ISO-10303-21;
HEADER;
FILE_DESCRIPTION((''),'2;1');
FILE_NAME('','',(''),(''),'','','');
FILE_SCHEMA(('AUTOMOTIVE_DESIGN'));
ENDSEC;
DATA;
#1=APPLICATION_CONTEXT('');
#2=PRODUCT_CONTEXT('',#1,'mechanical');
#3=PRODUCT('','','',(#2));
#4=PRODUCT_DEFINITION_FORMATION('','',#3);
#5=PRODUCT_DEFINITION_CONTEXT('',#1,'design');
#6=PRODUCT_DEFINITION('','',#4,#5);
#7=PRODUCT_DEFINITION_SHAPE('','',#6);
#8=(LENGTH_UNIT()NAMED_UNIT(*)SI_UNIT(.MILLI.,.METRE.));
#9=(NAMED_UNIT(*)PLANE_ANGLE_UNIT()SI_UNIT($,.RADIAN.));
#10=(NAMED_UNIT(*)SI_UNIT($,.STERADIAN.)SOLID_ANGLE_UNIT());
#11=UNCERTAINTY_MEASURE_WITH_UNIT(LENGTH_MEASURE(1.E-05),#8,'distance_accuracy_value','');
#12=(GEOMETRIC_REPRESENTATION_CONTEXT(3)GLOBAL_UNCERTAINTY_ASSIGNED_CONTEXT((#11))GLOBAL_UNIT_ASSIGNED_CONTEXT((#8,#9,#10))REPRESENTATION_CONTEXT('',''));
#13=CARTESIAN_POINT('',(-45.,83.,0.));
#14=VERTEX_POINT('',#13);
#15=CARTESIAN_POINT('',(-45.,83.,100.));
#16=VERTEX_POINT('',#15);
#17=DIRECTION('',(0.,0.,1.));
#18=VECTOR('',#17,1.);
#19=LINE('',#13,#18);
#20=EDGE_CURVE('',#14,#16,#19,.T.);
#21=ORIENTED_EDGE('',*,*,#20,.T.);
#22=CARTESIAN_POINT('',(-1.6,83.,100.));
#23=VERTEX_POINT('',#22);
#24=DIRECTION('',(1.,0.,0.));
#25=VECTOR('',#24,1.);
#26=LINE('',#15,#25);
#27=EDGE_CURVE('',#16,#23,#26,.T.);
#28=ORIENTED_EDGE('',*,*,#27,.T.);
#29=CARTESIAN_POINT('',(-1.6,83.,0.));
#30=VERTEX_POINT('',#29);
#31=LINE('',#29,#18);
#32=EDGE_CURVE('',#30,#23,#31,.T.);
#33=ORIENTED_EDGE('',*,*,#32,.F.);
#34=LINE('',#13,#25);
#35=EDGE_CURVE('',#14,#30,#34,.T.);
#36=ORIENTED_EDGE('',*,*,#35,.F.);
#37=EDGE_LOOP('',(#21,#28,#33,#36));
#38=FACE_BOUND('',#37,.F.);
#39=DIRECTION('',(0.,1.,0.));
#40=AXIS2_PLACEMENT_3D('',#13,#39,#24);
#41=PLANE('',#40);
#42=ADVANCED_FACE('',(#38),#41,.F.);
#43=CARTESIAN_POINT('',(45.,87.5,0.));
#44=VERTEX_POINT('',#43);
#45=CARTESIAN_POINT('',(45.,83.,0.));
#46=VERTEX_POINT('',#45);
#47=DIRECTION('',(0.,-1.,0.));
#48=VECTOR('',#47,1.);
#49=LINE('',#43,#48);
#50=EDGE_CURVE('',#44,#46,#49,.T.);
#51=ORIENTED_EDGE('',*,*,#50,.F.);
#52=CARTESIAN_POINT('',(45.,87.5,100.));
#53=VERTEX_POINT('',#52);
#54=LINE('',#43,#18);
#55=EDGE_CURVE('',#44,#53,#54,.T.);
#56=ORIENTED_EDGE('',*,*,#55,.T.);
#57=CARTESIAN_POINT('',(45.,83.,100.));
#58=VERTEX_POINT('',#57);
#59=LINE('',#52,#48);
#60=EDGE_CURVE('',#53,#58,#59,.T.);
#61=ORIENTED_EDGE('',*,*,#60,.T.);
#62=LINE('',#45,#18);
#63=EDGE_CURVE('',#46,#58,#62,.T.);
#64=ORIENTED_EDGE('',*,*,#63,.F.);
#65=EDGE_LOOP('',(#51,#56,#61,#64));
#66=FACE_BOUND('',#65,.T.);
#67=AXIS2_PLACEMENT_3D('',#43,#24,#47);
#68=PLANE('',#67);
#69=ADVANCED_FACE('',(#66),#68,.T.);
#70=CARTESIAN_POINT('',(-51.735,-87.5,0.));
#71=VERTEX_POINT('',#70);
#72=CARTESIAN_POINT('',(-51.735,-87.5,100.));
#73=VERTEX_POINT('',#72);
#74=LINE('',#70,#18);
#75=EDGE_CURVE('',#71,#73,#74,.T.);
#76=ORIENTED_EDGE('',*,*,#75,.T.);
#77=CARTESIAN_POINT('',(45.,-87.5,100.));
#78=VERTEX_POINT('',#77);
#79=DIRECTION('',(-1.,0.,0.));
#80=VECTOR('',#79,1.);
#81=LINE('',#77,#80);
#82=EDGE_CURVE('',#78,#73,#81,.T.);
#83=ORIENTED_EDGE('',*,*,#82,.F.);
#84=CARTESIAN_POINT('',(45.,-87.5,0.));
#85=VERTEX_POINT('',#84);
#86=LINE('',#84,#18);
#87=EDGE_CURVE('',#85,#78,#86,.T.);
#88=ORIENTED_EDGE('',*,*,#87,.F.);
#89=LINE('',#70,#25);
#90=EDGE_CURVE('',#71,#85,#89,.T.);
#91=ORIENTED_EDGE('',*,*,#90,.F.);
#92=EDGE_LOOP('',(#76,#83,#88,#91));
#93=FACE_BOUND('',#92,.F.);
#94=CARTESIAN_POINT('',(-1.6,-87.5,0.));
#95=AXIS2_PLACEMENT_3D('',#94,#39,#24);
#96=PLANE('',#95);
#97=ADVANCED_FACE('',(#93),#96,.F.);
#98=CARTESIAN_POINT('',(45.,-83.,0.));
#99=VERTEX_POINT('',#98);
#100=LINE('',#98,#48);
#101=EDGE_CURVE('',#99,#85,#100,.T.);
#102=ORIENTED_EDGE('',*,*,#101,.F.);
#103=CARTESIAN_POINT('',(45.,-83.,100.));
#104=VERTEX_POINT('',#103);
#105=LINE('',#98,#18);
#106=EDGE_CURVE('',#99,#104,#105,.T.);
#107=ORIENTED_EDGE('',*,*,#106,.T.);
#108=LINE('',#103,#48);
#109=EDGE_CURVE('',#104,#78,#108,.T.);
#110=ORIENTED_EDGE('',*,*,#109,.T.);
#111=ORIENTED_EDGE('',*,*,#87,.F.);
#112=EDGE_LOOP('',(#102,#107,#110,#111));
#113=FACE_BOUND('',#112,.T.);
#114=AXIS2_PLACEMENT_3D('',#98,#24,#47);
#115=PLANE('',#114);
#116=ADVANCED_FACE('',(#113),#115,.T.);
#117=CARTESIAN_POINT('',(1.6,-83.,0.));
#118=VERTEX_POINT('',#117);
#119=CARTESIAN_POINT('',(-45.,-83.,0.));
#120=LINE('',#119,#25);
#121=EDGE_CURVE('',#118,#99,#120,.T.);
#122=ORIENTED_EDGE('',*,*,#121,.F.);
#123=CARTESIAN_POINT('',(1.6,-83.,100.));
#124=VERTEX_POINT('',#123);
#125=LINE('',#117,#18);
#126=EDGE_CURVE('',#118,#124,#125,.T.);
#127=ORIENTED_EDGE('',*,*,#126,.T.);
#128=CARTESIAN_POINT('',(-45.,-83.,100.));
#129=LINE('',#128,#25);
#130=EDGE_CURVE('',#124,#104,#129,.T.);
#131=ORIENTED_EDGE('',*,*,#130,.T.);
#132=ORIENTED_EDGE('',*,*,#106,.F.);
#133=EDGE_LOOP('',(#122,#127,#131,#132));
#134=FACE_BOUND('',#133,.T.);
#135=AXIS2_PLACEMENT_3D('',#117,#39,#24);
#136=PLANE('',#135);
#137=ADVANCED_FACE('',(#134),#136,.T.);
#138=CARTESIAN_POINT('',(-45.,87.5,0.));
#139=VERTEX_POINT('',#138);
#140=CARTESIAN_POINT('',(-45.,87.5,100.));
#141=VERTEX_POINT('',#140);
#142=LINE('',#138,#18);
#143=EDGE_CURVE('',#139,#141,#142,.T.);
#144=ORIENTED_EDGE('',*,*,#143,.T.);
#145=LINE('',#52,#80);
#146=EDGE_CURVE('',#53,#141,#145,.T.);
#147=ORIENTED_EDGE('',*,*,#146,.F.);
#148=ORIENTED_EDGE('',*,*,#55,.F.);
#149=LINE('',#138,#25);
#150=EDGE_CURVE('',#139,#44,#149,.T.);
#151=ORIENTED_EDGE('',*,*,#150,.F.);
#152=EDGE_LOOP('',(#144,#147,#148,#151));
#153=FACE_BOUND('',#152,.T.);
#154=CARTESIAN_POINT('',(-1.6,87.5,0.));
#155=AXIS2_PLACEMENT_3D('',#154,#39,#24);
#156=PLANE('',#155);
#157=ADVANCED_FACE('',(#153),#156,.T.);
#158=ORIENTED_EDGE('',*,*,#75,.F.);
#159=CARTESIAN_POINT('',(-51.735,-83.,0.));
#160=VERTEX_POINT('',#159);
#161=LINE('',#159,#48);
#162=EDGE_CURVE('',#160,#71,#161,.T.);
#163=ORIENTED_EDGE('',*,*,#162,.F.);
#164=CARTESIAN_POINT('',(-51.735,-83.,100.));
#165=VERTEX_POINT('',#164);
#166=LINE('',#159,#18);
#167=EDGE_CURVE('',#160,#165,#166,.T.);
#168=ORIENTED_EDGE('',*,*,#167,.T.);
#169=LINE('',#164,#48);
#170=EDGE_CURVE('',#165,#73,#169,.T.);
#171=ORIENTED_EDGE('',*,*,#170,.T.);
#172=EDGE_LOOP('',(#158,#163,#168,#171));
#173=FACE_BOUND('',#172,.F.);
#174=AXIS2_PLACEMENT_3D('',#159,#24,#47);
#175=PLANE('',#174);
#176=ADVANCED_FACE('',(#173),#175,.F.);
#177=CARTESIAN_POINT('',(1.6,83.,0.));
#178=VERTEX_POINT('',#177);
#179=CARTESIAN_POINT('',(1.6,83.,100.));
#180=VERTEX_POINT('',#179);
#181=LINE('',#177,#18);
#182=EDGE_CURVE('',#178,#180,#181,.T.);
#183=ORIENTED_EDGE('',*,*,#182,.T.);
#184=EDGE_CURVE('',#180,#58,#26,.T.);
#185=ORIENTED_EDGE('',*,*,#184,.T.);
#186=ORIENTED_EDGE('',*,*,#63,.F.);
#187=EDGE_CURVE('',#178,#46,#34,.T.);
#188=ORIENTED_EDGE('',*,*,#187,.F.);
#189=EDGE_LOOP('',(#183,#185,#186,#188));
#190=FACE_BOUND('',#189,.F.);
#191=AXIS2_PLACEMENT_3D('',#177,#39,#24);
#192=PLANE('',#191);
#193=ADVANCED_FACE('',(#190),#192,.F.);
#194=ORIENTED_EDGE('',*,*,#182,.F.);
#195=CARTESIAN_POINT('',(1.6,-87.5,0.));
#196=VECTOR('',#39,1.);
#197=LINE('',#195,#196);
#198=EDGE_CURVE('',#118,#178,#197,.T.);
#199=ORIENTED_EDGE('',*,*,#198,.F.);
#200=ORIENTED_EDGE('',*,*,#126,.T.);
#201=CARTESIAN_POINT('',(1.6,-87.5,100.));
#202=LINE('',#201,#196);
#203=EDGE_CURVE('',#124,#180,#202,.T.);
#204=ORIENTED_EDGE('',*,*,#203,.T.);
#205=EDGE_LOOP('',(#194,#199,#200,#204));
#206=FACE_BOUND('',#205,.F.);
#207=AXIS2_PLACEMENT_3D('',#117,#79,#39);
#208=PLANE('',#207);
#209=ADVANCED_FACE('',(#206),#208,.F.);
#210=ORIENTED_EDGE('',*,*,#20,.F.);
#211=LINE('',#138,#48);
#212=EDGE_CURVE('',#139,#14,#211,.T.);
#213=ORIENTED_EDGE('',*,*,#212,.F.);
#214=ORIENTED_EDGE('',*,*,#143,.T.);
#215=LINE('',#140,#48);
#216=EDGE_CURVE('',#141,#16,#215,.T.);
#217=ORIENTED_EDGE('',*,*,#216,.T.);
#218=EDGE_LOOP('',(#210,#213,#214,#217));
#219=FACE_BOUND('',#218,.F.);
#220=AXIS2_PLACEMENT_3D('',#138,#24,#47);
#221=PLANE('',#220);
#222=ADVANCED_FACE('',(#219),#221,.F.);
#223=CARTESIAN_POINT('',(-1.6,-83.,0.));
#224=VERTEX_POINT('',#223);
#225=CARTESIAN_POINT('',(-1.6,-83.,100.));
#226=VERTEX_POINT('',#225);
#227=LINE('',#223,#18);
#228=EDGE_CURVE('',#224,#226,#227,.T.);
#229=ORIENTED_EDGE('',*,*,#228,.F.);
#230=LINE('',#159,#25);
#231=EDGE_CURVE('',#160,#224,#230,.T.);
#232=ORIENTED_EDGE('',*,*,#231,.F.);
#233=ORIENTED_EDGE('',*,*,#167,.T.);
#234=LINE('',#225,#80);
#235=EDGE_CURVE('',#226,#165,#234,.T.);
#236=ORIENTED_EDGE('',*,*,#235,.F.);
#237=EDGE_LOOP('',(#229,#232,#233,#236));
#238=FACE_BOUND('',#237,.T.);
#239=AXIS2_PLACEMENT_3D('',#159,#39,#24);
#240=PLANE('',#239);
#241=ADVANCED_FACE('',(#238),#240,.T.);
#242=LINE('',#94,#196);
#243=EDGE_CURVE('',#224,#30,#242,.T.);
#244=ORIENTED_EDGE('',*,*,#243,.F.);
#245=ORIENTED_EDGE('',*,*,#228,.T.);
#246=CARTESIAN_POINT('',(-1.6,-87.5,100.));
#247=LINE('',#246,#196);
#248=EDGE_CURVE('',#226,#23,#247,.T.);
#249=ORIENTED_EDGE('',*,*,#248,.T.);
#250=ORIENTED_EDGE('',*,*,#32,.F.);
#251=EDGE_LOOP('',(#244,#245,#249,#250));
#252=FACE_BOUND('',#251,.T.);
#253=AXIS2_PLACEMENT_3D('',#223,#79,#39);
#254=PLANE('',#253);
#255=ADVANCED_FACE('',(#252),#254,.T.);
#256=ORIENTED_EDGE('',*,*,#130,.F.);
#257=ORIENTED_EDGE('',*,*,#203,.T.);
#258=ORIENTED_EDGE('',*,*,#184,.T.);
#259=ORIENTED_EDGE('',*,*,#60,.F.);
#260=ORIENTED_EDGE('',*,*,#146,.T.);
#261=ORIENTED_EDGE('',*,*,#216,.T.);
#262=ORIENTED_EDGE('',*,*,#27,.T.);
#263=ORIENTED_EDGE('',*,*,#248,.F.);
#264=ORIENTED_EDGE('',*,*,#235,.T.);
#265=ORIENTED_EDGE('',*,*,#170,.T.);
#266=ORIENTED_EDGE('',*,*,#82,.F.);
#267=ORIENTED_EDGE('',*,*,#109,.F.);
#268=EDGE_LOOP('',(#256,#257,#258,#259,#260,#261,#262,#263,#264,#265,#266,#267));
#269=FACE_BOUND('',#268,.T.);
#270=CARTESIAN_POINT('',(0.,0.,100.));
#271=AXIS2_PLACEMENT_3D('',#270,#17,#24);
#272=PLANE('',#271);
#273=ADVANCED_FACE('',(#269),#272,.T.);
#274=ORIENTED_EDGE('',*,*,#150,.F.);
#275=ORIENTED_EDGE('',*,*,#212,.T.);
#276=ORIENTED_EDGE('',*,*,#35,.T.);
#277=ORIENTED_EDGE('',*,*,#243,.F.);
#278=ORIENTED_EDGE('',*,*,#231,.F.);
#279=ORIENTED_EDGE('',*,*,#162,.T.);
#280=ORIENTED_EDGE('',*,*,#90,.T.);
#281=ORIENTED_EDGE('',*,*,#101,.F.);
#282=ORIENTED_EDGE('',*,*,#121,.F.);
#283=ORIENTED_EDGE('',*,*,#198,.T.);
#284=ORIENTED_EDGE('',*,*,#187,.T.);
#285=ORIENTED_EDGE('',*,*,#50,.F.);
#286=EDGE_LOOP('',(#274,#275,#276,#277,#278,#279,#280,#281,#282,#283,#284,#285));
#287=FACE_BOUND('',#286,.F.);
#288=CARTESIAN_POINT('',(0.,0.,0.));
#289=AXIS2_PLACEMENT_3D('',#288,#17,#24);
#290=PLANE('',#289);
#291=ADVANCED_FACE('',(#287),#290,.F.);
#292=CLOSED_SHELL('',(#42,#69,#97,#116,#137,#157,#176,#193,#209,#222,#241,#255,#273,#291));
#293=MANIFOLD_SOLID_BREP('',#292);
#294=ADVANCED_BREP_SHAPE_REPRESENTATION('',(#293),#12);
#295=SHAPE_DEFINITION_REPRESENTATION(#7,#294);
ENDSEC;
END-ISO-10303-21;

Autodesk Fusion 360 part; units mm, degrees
sketch "スケッチ1" plane through (0, 0, 0) normal (0, 0, 1) x (1, 0, 0)
  line L0 (0, -87.5) -> (0, 87.5)
  line L1 (-45, 87.5) -> (45, 87.5)
  line L2 (-51.735, -87.5) -> (-45, -87.5)
  line L3 (-45, -87.5) -> (45, -87.5)
  line L4 (-45, 83) -> (45, 83)
  line L5 (-51.735, -83) -> (-45, -83)
  line L6 (-45, -83) -> (45, -83)
  line L7 (1.6, -87.5) -> (1.6, 87.5)
  line L8 (-1.6, -87.5) -> (-1.6, 87.5)
  line L9 (-45, 87.5) -> (-45, 83)
  line L10 (45, 87.5) -> (45, 83)
  line L11 (45, -83) -> (45, -87.5)
  line L12 (-51.735, -83) -> (-51.735, -87.5)
  dimension "d1" = 175
  dimension "d2" = 90
  dimension "d3" = 90
  dimension "d4" = 4.5
  dimension "d5" = -4.5
  dimension "d6" = 1.6
  dimension "d7" = -1.6
extrude "押し出し1" add sketch "スケッチ1" along normal blind 100
equation "d6 = ( 3.2 / 2 ) * 1 mm"
equation "d7 = ( -3.2 / 2 ) * 1 mm"
